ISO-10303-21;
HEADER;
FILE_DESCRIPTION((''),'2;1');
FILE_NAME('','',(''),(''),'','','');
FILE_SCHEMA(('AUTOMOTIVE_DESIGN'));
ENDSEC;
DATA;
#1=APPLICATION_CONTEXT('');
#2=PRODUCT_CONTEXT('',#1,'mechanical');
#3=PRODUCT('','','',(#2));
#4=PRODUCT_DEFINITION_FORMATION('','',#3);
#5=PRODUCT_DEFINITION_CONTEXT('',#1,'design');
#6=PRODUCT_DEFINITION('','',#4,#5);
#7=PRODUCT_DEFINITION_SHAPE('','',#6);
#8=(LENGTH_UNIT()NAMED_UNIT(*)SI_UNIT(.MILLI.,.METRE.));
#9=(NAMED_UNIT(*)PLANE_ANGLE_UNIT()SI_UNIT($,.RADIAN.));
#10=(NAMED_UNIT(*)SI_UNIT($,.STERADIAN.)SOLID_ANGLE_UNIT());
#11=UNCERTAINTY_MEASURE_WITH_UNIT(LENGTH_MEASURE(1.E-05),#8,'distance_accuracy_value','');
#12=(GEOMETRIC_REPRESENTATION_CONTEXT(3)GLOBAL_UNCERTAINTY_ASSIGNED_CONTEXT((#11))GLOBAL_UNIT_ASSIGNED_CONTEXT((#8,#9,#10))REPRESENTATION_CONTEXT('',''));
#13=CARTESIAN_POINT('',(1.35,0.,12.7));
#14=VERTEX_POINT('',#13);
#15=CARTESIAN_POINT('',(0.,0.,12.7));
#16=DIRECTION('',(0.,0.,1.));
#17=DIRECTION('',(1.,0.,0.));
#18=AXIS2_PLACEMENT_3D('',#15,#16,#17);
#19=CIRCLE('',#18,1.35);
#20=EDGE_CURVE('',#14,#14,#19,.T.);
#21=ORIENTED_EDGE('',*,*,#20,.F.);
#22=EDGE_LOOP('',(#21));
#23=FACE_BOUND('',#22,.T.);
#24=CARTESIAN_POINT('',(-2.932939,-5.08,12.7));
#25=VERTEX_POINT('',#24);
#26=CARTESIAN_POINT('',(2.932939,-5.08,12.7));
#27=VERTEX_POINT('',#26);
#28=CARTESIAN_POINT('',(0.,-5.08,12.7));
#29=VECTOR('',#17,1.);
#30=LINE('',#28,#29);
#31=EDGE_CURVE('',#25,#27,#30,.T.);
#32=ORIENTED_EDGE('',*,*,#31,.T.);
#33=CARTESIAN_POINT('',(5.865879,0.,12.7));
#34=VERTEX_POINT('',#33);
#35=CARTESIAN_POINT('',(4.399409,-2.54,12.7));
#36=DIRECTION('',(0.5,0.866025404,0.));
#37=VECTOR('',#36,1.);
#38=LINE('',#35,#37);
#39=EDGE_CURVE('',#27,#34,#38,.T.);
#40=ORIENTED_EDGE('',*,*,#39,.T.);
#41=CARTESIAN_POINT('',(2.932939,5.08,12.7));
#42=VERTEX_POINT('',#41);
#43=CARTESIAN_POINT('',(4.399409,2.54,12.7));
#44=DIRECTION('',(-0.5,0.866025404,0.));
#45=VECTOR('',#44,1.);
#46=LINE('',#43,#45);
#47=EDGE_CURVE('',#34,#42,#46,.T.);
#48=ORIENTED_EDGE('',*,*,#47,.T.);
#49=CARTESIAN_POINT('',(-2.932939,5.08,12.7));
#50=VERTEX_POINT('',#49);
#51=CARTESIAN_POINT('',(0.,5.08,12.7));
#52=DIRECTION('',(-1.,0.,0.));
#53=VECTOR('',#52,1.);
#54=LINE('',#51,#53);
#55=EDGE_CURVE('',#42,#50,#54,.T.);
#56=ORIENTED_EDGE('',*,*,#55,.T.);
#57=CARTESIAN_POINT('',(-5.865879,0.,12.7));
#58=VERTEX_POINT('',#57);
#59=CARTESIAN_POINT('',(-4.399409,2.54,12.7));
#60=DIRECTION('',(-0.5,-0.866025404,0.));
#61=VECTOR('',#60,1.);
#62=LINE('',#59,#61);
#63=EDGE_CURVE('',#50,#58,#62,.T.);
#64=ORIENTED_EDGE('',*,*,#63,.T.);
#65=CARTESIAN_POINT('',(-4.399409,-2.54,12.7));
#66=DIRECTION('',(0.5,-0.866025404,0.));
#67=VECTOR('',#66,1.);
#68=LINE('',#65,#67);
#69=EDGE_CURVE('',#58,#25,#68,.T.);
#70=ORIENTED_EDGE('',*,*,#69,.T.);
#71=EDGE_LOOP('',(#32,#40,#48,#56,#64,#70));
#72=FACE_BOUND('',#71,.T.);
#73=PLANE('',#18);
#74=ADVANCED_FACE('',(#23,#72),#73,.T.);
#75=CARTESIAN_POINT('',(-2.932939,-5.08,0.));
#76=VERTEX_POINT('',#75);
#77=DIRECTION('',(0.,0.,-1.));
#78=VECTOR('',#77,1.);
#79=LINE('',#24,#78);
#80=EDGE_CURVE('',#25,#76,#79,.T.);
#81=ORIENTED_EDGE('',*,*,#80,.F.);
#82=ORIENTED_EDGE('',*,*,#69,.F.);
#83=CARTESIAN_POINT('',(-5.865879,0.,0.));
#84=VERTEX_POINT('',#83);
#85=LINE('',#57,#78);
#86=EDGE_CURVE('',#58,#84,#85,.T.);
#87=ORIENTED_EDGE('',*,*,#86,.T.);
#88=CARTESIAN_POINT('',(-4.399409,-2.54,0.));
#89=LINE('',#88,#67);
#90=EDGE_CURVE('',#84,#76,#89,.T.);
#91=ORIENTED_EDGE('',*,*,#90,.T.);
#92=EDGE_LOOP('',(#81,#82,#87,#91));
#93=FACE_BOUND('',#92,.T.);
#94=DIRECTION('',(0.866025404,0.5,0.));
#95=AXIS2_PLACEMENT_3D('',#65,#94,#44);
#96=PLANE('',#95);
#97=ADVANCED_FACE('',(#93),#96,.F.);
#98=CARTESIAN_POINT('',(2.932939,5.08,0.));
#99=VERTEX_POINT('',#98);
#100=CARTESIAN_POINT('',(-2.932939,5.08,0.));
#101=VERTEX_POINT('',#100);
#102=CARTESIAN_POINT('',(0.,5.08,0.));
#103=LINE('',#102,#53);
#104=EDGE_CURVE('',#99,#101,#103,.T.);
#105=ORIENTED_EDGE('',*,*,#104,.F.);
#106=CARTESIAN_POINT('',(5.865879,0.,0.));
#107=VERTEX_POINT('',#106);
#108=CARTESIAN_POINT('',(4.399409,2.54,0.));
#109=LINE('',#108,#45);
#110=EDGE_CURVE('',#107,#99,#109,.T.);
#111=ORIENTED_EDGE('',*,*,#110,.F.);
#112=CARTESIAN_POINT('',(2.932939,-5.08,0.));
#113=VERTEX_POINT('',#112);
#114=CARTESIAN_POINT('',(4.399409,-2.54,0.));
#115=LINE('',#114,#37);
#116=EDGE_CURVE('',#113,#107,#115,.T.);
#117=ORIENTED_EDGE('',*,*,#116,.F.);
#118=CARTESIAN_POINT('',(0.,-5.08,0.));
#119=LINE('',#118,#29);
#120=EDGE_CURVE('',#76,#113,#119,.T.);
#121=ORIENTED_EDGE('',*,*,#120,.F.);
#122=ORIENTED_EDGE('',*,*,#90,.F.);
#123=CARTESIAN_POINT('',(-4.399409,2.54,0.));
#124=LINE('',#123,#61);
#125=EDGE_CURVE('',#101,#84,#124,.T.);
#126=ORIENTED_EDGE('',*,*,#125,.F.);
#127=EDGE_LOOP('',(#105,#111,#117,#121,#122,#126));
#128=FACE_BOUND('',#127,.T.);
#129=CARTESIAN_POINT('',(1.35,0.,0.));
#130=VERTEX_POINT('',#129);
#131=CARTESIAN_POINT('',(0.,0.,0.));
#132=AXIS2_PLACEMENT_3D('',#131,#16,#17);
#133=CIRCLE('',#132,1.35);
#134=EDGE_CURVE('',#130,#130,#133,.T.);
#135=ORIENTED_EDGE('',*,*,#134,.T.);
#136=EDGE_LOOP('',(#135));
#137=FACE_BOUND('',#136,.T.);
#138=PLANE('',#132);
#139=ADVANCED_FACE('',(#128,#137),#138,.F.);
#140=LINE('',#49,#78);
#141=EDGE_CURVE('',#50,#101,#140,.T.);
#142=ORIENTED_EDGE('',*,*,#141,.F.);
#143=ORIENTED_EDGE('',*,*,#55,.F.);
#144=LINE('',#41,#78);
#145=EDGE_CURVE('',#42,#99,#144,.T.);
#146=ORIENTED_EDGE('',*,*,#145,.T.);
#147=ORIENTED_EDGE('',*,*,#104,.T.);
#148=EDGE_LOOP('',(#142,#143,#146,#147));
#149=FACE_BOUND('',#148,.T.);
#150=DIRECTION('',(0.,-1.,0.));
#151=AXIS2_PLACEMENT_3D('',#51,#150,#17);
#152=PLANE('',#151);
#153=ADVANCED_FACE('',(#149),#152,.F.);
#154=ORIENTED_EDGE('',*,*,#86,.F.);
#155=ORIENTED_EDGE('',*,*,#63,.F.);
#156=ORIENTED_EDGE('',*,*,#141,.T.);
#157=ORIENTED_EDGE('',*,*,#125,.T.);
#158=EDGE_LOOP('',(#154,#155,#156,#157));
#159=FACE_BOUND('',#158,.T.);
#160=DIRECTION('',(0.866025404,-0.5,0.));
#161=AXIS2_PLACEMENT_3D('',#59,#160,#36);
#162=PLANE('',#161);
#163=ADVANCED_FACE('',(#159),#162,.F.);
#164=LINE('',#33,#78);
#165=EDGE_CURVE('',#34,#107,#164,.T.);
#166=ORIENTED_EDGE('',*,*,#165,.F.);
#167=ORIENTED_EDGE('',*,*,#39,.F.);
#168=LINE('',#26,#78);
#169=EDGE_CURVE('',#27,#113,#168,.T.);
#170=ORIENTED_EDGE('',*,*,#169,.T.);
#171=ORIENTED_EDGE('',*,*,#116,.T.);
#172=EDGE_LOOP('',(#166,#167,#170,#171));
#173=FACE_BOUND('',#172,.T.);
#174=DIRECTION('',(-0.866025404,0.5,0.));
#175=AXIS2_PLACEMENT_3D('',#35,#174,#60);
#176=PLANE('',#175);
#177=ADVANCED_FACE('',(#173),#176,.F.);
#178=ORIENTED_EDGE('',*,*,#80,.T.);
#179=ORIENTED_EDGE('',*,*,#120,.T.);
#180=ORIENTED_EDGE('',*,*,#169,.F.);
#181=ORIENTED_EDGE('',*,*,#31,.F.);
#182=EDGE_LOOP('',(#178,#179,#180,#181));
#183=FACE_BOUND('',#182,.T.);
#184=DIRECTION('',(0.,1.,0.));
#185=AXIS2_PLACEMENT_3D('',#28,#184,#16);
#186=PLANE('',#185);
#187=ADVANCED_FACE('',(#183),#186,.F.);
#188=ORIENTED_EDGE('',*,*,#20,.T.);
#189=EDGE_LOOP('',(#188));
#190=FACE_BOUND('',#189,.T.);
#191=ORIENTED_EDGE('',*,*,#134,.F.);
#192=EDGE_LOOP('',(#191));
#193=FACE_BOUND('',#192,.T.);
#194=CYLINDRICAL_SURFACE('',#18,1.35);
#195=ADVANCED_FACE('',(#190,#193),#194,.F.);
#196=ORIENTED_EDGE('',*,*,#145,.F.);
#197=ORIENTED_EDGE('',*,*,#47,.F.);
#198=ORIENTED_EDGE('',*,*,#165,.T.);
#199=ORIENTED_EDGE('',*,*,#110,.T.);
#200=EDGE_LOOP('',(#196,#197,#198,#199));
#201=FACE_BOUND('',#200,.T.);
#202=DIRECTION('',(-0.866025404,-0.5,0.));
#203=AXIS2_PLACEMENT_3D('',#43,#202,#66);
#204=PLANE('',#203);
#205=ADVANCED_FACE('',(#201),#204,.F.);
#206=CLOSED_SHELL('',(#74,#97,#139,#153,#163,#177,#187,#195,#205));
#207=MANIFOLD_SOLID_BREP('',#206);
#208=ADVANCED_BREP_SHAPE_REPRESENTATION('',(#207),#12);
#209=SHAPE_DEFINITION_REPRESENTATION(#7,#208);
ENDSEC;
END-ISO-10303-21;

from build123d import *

# Parameters (mm, degrees)
SKETCH1_R             = 5.08
BOSS_EXTRUDE1_DEPTH   = 12.7
M3X0_5_TAPPED_HOLE1_D = 2.7


with BuildPart() as part:
    # Sketch1 → Boss-Extrude1 (new body)
    with BuildSketch(Plane.XY):
        Circle(SKETCH1_R)
        with BuildLine():
            Line((-2.932939367, 5.08), (-4.399409037, 2.540000024))
            ThreePointArc((-4.399409037, 2.540000024), (-2.539999988, 4.399409058), (0, 5.08))
            Line((0, 5.08), (-2.932939367, 5.08))
        make_face()
        with BuildLine():
            Line((2.932939367, 5.08), (0, 5.08))
            ThreePointArc((0, 5.08), (2.539999994, 4.399409055), (4.399409045, 2.540000012))
            Line((4.399409045, 2.540000012), (2.932939367, 5.08))
        make_face()
        with BuildLine():
            ThreePointArc((5.08, 0), (4.906903196, -1.314800756), (4.399409045, -2.540000012))
            Line((4.399409045, -2.540000012), (5.865878735, 0))
            Line((5.865878735, 0), (4.399409045, 2.540000012))
            ThreePointArc((4.399409045, 2.540000012), (4.906903196, 1.314800756), (5.08, 0))
        make_face()
        with BuildLine():
            ThreePointArc((4.399409045, -2.540000012), (2.539999994, -4.399409055), (0, -5.08))
            Line((0, -5.08), (2.932939367, -5.08))
            Line((2.932939367, -5.08), (4.399409045, -2.540000012))
        make_face()
        with BuildLine():
            Line((-4.399409037, 2.540000024), (-5.865878735, 0))
            Line((-5.865878735, 0), (-4.399409045, -2.540000012))
            ThreePointArc((-4.399409045, -2.540000012), (-5.08, 7e-09), (-4.399409037, 2.540000024))
        make_face()
        with BuildLine():
            ThreePointArc((0, -5.08), (-2.539999994, -4.399409055), (-4.399409045, -2.540000012))
            Line((-4.399409045, -2.540000012), (-2.932939367, -5.08))
            Line((-2.932939367, -5.08), (0, -5.08))
        make_face()
    extrude(amount=BOSS_EXTRUDE1_DEPTH)

    # M3x0.5 Tapped Hole1 (through all)
    with Locations(Plane.XY.offset(12.7)):
        with Locations((0, 0)):
            Hole(M3X0_5_TAPPED_HOLE1_D / 2)


solid = part.part
